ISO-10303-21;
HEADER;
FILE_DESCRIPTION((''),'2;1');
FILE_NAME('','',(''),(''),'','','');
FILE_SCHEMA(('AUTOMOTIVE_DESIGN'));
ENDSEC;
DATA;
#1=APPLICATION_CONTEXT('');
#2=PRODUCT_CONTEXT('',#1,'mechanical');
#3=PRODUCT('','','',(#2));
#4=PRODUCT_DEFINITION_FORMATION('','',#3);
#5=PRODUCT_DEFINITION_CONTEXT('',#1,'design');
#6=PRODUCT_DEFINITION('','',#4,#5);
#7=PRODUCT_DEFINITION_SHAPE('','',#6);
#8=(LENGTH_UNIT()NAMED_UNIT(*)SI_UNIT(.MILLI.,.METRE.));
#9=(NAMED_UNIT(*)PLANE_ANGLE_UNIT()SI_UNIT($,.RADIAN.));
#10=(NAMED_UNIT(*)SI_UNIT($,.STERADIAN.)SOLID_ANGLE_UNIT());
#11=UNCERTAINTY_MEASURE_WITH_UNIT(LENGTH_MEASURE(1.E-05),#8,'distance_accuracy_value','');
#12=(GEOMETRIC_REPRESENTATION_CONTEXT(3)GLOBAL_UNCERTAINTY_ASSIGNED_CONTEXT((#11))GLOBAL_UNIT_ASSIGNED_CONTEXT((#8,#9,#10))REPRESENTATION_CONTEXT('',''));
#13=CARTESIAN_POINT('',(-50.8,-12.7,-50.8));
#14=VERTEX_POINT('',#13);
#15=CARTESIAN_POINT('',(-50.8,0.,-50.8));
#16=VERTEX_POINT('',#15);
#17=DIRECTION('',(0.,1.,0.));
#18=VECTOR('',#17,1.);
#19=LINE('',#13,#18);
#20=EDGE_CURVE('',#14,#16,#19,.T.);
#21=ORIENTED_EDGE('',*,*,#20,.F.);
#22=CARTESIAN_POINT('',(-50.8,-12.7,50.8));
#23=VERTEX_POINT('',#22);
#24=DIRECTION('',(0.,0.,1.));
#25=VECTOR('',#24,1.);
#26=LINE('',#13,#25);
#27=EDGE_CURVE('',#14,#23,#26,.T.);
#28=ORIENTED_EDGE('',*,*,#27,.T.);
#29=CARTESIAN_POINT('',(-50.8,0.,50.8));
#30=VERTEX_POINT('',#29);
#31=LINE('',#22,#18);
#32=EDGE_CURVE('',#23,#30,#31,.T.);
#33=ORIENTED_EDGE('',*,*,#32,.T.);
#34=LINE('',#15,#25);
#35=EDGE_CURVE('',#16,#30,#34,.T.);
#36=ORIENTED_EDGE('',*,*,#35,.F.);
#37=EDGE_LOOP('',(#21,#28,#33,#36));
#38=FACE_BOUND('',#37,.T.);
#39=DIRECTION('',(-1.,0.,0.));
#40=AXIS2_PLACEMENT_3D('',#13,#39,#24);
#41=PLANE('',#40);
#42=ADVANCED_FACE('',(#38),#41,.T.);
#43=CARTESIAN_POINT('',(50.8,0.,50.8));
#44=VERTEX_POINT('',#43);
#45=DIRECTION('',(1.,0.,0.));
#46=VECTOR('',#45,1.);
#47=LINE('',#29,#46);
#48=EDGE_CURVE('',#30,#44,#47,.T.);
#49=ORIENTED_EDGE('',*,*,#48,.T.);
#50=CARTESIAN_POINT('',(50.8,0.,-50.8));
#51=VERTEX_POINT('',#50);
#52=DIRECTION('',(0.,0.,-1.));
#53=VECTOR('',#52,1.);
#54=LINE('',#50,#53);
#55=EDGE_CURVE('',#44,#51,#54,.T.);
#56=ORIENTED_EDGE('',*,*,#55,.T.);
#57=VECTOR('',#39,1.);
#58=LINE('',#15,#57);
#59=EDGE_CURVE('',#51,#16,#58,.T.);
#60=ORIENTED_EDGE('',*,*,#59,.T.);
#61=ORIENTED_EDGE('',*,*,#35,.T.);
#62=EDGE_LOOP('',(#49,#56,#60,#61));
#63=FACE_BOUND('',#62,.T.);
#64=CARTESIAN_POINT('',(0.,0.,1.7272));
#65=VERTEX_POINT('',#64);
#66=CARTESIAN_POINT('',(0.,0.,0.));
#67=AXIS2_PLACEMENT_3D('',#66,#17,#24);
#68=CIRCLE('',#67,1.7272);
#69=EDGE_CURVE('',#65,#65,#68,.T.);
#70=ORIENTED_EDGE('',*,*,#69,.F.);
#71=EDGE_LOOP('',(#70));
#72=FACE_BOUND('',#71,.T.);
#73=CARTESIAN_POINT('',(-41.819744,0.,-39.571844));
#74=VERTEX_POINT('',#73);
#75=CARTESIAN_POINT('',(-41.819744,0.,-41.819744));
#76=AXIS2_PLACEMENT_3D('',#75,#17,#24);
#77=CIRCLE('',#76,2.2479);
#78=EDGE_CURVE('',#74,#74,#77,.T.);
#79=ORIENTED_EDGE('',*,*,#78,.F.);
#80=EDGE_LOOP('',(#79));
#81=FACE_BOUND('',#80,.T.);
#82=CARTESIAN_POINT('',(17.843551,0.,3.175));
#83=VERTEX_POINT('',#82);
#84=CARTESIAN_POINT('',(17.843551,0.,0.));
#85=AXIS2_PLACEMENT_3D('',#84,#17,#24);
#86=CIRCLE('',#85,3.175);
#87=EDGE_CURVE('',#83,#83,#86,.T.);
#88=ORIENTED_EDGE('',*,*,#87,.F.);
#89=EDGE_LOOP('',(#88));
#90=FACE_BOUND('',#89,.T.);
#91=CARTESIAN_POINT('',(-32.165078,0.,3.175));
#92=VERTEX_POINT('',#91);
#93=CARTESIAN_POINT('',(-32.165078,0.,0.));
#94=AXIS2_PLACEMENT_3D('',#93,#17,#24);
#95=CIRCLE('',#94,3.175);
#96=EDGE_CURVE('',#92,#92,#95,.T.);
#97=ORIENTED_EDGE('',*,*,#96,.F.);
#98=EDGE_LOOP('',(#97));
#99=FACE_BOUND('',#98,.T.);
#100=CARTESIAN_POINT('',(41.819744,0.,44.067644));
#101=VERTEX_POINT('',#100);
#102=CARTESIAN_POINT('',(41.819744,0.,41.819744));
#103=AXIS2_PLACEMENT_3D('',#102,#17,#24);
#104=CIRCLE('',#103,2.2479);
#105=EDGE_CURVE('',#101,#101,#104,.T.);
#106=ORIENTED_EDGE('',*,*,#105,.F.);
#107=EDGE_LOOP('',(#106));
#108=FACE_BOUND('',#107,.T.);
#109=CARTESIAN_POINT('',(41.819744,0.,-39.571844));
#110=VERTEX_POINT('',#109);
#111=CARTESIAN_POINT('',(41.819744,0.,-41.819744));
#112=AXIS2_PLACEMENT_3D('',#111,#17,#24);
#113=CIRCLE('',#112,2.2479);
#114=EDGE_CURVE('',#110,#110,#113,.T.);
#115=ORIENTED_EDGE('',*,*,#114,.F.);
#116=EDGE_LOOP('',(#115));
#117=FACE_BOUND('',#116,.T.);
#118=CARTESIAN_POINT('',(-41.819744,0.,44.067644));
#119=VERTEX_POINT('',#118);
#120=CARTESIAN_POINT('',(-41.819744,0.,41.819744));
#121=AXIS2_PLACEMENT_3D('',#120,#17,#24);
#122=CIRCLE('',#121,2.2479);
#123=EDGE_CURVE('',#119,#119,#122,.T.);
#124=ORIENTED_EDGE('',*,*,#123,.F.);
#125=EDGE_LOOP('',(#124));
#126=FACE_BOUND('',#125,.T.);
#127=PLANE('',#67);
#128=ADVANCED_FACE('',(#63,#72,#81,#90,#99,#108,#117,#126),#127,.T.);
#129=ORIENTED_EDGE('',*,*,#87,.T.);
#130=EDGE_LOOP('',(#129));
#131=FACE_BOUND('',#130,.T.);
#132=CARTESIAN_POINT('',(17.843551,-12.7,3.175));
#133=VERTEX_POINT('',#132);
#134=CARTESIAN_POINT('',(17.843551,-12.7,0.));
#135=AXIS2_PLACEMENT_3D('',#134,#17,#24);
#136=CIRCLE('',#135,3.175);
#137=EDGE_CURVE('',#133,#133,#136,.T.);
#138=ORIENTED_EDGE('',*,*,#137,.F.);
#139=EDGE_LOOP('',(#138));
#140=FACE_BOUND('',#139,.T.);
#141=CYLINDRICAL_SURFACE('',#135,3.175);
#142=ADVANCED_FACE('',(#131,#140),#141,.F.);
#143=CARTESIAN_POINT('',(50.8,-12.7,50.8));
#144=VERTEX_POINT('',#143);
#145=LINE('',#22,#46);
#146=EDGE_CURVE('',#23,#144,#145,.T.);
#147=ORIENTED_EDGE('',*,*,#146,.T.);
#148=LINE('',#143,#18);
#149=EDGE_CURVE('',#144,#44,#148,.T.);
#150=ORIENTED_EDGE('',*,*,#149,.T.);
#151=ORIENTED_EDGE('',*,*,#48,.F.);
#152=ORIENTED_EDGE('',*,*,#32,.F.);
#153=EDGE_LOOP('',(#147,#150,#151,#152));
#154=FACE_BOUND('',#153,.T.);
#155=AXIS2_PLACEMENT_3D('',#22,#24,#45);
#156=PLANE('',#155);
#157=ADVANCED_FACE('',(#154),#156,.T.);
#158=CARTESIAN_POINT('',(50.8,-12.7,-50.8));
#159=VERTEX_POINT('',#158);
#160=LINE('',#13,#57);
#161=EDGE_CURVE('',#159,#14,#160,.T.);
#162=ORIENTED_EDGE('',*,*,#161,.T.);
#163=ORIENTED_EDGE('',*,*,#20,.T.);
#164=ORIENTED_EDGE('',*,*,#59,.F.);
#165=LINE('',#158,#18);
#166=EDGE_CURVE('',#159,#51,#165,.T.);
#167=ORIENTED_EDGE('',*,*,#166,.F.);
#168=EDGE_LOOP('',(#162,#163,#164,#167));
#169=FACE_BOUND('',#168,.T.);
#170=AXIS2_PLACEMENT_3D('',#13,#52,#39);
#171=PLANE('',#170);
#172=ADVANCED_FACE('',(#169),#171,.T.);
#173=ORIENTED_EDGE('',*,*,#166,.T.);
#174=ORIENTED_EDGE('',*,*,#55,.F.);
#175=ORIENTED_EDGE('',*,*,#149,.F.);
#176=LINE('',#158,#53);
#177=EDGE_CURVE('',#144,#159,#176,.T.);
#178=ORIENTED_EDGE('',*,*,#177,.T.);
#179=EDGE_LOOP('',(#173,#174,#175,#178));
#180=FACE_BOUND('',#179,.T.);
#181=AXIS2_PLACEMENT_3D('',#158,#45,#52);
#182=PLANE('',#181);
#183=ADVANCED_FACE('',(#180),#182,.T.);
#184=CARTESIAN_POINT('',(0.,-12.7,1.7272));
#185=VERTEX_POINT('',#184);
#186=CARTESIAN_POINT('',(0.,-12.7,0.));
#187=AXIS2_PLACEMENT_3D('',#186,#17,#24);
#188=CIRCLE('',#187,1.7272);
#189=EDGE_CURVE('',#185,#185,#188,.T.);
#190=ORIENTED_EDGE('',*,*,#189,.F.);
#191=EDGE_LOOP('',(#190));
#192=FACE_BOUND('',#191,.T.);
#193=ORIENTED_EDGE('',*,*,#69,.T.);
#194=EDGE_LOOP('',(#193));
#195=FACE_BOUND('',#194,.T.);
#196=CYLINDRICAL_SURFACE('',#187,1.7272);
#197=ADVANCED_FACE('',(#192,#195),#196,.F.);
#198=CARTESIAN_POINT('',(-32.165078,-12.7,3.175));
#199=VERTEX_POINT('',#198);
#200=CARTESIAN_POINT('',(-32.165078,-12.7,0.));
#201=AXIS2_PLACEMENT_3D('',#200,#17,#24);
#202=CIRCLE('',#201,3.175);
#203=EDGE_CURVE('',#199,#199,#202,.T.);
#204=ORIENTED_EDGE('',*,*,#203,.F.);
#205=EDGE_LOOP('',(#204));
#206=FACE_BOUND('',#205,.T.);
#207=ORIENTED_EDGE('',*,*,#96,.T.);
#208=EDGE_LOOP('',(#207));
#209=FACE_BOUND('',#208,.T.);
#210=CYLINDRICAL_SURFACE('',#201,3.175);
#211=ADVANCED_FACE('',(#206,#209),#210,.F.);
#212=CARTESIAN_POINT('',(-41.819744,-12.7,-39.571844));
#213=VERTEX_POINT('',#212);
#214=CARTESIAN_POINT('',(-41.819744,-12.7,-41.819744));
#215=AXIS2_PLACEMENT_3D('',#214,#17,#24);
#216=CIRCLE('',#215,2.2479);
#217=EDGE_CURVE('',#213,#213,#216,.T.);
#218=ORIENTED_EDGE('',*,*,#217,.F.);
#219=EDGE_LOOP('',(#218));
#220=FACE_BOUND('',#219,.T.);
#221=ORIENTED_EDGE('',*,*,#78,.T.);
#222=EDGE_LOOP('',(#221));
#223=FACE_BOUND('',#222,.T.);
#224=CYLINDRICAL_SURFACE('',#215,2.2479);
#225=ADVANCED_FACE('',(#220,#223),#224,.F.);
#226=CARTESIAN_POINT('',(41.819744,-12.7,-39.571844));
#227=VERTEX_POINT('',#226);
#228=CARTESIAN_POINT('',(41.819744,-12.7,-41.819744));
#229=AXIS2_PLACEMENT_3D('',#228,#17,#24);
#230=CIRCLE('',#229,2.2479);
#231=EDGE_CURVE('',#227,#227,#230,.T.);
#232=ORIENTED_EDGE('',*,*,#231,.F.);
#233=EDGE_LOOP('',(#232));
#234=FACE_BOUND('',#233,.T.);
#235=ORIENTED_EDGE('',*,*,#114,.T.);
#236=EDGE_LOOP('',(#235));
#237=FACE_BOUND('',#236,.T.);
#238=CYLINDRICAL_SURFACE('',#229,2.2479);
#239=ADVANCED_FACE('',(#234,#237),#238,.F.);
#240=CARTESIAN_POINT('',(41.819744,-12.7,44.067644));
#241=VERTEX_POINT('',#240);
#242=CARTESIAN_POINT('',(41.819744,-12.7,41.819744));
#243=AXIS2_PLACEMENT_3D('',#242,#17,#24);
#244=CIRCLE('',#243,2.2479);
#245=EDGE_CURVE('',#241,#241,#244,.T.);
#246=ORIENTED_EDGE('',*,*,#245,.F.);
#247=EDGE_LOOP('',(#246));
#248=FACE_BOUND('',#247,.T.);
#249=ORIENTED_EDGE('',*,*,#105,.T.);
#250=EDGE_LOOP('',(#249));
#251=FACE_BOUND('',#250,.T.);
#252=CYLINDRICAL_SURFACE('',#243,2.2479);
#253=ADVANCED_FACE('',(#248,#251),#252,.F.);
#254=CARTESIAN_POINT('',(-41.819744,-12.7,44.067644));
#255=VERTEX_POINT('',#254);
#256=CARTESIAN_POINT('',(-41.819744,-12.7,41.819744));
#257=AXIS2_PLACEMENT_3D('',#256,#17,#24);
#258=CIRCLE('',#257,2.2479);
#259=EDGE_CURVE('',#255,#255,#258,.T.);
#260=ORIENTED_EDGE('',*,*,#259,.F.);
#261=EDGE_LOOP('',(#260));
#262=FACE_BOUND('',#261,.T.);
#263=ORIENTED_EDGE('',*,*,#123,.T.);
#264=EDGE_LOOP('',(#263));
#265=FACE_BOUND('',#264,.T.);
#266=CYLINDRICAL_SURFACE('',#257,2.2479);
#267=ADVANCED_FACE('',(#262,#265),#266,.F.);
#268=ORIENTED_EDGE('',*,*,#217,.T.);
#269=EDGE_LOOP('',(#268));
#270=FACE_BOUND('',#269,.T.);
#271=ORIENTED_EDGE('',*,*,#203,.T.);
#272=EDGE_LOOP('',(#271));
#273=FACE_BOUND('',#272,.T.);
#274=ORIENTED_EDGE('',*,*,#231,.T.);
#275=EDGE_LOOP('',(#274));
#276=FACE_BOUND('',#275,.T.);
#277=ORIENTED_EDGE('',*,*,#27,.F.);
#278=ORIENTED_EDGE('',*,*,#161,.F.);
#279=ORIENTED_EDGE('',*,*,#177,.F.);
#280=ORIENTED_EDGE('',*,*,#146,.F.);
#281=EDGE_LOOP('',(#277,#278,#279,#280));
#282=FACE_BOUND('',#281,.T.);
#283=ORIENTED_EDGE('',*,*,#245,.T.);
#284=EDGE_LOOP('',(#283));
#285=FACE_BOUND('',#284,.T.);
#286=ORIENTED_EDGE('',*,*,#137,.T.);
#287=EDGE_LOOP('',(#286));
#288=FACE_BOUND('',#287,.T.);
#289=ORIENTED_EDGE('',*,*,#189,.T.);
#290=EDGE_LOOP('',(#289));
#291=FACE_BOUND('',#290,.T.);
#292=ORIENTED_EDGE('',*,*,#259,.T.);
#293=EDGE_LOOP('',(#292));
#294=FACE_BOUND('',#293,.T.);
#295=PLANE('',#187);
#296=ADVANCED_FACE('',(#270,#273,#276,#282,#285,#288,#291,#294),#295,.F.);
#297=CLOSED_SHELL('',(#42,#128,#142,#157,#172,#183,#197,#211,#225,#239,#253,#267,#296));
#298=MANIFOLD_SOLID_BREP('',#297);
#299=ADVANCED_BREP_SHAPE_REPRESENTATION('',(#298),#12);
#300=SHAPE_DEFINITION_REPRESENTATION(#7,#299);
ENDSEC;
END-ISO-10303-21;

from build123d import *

# Parameters (mm, degrees)
SKETCH1_W           = 101.6
SKETCH1_H           = 101.6
BOSS_EXTRUDE1_DEPTH = 12.7
SKETCH3_R           = 3.175
SKETCH3_R_2         = 2.2479
SKETCH3_R_3         = 1.7272
CUT_EXTRUDE1_DEPTH  = 73.955945611


with BuildPart() as part:
    # Sketch1 → Boss-Extrude1 (new body)
    with BuildSketch(Plane(origin=(0, 0, 0), x_dir=(1, 0, 0), z_dir=(0, 1, 0))):
        Rectangle(SKETCH1_W, SKETCH1_H)
    extrude(amount=-BOSS_EXTRUDE1_DEPTH)

    # Sketch3 → Cut-Extrude1 (cut, through all)
    with BuildSketch(Plane(origin=(0, 0, 0), x_dir=(1, 0, 0), z_dir=(0, 1, 0))):
        with Locations(Location((17.8435508, 0, 0), (0, 0, 270))):
            Circle(SKETCH3_R)
        with Locations(Location((-32.16507791, 0, 0), (0, 0, 270))):
            Circle(SKETCH3_R)
        with Locations(Location((-41.819743879, 41.819743879, 0), (0, 0, 270))):
            Circle(SKETCH3_R_2)
        with Locations(Location((41.819743879, 41.819743879, 0), (0, 0, 270))):
            Circle(SKETCH3_R_2)
        with Locations(Location((41.819743879, -41.819743879, 0), (0, 0, 270))):
            Circle(SKETCH3_R_2)
        with Locations(Location((-41.819743879, -41.819743879, 0), (0, 0, 270))):
            Circle(SKETCH3_R_2)
        with Locations(Location((0, 0, 0), (0, 0, 270))):
            Circle(SKETCH3_R_3)
    extrude(amount=-CUT_EXTRUDE1_DEPTH, mode=Mode.SUBTRACT)


solid = part.part
